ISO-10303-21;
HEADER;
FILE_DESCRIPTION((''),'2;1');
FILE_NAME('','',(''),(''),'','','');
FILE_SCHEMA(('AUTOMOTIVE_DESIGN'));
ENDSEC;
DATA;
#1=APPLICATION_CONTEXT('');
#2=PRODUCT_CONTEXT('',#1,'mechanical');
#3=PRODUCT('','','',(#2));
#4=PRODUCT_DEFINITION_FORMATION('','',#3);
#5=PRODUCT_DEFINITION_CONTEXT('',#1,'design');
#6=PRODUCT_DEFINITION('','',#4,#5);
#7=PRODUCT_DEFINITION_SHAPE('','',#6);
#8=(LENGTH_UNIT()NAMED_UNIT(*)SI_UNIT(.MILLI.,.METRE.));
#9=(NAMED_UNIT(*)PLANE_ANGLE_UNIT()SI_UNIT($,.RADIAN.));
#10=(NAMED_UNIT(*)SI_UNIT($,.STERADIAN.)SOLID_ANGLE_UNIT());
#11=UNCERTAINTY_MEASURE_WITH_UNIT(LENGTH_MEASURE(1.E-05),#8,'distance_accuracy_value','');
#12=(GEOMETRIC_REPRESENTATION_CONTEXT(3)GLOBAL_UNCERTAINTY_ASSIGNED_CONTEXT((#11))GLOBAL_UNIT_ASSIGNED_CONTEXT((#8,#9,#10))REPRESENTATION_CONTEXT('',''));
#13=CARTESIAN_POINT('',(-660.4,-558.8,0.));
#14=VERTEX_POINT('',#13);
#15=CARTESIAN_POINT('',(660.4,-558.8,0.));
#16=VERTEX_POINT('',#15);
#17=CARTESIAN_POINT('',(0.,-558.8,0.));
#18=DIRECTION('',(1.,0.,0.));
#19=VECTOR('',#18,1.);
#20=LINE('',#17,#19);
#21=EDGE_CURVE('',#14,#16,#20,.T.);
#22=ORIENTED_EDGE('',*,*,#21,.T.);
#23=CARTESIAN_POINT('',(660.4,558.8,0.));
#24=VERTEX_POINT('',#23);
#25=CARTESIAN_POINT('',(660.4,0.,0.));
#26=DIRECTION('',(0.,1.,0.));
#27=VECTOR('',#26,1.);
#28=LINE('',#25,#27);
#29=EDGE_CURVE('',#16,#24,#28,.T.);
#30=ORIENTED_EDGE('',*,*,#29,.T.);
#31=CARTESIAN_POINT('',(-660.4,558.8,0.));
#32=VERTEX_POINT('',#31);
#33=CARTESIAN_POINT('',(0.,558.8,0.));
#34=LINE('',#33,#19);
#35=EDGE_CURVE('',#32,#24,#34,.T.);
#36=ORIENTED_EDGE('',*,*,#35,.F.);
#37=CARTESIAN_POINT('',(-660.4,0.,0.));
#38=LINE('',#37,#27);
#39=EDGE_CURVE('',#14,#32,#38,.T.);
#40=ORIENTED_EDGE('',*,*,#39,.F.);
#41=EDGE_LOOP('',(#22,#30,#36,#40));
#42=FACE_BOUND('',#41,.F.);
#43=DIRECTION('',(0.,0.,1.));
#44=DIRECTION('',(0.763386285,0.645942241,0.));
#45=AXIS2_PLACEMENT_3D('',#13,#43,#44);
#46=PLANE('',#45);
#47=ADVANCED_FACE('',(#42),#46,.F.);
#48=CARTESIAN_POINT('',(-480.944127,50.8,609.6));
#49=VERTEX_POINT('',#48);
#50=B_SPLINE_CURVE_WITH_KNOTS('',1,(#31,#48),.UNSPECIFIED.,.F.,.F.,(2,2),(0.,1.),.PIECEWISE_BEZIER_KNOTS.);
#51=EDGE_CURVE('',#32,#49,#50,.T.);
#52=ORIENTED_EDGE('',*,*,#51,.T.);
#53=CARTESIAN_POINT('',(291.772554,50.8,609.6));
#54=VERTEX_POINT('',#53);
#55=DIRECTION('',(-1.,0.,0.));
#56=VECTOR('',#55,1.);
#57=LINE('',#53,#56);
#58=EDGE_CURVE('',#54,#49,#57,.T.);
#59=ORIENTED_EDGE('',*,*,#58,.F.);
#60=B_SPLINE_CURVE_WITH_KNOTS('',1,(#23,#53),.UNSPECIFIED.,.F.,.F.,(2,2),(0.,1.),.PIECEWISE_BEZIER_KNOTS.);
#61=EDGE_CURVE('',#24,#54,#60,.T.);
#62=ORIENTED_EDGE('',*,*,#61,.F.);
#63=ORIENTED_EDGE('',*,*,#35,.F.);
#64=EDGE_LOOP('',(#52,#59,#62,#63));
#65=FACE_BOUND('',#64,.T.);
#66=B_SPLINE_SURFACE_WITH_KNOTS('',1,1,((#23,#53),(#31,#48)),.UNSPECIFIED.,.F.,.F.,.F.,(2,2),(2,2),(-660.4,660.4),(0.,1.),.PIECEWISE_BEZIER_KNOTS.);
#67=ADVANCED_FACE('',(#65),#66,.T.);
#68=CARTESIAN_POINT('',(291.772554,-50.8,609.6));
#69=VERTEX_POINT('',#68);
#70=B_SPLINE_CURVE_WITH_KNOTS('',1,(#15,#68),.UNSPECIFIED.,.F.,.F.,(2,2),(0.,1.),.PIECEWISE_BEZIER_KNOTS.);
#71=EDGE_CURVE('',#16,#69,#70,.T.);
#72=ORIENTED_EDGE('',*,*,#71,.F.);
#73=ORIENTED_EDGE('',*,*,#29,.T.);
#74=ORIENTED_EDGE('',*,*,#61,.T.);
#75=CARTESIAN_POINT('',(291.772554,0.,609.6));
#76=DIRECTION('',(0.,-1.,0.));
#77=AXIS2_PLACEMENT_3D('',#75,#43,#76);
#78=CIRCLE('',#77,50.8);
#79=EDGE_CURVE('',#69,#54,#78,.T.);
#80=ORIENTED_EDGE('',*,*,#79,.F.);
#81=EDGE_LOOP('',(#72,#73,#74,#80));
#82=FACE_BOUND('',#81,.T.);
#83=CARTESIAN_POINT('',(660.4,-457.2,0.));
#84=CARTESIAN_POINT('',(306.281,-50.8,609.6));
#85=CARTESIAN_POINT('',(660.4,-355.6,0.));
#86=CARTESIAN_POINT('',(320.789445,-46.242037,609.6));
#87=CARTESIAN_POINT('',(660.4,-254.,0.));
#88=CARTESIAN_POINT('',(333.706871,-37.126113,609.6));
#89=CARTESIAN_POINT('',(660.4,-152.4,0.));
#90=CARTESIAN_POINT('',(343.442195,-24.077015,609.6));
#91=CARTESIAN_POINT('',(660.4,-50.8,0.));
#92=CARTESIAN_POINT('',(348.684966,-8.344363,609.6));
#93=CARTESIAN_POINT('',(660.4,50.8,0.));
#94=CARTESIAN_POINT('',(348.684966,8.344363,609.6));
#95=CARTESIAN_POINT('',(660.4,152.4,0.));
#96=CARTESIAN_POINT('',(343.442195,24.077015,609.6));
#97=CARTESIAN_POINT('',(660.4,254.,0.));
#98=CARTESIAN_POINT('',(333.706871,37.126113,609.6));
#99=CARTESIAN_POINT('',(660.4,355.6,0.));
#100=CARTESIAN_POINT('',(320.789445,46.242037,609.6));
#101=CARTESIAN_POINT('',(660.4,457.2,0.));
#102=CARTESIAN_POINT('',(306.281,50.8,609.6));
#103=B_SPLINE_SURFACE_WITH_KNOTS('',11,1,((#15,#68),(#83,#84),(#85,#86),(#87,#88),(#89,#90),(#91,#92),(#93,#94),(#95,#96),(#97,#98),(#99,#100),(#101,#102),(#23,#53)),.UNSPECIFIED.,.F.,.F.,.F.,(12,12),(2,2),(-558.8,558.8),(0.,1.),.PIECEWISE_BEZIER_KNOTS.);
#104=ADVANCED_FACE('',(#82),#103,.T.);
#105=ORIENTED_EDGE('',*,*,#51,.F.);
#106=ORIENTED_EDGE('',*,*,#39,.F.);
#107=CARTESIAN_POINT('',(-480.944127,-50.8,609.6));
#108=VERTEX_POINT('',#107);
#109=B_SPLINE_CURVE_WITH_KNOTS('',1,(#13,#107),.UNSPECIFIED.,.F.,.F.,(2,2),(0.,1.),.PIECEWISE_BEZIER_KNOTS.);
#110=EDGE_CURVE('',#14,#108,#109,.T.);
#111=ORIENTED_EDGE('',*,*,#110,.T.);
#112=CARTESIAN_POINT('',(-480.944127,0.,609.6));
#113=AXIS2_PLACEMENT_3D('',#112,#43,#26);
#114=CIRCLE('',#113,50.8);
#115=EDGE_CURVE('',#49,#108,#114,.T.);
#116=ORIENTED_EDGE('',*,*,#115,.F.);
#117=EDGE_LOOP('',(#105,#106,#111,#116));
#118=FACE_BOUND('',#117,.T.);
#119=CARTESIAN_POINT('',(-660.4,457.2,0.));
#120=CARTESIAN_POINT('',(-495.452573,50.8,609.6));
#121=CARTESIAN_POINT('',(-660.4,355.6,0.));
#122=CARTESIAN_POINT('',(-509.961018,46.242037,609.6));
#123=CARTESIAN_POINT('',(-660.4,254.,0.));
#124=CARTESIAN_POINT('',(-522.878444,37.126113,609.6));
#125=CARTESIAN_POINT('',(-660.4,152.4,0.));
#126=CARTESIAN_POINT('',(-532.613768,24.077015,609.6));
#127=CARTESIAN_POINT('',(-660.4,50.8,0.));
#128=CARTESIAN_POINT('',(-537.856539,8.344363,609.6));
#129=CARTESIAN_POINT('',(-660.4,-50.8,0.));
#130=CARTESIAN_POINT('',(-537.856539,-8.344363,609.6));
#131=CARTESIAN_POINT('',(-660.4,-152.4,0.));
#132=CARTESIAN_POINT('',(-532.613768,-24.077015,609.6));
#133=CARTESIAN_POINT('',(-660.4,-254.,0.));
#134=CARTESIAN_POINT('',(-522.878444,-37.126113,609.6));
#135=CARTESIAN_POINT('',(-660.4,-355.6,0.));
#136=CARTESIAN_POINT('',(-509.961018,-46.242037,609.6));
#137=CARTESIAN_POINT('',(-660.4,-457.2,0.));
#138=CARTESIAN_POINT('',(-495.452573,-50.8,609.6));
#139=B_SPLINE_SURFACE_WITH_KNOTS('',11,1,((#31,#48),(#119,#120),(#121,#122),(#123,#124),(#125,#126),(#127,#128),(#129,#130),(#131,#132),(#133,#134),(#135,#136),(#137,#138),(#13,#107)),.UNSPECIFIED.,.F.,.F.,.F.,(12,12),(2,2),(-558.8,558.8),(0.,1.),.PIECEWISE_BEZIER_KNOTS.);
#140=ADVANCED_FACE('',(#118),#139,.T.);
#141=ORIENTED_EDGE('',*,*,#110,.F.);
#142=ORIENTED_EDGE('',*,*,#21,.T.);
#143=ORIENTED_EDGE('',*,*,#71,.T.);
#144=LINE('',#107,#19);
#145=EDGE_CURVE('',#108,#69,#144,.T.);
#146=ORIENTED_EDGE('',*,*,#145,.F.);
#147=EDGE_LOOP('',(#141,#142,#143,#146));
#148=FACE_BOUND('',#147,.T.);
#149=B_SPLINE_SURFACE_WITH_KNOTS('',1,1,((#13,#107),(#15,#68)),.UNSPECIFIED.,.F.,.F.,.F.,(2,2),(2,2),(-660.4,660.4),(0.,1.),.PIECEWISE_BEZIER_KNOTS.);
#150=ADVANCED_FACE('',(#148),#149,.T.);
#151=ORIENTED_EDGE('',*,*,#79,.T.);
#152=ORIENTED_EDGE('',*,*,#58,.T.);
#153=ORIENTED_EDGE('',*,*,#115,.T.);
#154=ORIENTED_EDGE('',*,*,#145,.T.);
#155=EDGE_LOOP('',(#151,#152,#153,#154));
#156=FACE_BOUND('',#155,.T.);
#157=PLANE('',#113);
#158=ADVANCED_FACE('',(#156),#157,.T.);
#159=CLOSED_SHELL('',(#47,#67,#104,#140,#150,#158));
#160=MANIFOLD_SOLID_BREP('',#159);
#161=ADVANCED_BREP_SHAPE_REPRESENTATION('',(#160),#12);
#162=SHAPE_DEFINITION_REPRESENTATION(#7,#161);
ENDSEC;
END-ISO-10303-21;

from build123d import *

# Parameters (mm, degrees)
F1_W = 1320.8
F1_H = 1117.6


with BuildPart() as f3:
    # F1 (on Top) → F3 section 0
    with BuildSketch(Plane.XY):
        Rectangle(F1_W, F1_H)
    # F2 (on offset) → F3 section 1
    with BuildSketch(Plane.XY.offset(609.6)):
        with BuildLine():
            Line((291.772554, 50.8), (-480.944127, 50.8))
            ThreePointArc((-480.944127, 50.8), (-531.744127, 0), (-480.944127, -50.8))
            Line((-480.944127, -50.8), (291.772554, -50.8))
            ThreePointArc((291.772554, -50.8), (342.572554, 0), (291.772554, 50.8))
        make_face()
    loft()


solid = f3.part
